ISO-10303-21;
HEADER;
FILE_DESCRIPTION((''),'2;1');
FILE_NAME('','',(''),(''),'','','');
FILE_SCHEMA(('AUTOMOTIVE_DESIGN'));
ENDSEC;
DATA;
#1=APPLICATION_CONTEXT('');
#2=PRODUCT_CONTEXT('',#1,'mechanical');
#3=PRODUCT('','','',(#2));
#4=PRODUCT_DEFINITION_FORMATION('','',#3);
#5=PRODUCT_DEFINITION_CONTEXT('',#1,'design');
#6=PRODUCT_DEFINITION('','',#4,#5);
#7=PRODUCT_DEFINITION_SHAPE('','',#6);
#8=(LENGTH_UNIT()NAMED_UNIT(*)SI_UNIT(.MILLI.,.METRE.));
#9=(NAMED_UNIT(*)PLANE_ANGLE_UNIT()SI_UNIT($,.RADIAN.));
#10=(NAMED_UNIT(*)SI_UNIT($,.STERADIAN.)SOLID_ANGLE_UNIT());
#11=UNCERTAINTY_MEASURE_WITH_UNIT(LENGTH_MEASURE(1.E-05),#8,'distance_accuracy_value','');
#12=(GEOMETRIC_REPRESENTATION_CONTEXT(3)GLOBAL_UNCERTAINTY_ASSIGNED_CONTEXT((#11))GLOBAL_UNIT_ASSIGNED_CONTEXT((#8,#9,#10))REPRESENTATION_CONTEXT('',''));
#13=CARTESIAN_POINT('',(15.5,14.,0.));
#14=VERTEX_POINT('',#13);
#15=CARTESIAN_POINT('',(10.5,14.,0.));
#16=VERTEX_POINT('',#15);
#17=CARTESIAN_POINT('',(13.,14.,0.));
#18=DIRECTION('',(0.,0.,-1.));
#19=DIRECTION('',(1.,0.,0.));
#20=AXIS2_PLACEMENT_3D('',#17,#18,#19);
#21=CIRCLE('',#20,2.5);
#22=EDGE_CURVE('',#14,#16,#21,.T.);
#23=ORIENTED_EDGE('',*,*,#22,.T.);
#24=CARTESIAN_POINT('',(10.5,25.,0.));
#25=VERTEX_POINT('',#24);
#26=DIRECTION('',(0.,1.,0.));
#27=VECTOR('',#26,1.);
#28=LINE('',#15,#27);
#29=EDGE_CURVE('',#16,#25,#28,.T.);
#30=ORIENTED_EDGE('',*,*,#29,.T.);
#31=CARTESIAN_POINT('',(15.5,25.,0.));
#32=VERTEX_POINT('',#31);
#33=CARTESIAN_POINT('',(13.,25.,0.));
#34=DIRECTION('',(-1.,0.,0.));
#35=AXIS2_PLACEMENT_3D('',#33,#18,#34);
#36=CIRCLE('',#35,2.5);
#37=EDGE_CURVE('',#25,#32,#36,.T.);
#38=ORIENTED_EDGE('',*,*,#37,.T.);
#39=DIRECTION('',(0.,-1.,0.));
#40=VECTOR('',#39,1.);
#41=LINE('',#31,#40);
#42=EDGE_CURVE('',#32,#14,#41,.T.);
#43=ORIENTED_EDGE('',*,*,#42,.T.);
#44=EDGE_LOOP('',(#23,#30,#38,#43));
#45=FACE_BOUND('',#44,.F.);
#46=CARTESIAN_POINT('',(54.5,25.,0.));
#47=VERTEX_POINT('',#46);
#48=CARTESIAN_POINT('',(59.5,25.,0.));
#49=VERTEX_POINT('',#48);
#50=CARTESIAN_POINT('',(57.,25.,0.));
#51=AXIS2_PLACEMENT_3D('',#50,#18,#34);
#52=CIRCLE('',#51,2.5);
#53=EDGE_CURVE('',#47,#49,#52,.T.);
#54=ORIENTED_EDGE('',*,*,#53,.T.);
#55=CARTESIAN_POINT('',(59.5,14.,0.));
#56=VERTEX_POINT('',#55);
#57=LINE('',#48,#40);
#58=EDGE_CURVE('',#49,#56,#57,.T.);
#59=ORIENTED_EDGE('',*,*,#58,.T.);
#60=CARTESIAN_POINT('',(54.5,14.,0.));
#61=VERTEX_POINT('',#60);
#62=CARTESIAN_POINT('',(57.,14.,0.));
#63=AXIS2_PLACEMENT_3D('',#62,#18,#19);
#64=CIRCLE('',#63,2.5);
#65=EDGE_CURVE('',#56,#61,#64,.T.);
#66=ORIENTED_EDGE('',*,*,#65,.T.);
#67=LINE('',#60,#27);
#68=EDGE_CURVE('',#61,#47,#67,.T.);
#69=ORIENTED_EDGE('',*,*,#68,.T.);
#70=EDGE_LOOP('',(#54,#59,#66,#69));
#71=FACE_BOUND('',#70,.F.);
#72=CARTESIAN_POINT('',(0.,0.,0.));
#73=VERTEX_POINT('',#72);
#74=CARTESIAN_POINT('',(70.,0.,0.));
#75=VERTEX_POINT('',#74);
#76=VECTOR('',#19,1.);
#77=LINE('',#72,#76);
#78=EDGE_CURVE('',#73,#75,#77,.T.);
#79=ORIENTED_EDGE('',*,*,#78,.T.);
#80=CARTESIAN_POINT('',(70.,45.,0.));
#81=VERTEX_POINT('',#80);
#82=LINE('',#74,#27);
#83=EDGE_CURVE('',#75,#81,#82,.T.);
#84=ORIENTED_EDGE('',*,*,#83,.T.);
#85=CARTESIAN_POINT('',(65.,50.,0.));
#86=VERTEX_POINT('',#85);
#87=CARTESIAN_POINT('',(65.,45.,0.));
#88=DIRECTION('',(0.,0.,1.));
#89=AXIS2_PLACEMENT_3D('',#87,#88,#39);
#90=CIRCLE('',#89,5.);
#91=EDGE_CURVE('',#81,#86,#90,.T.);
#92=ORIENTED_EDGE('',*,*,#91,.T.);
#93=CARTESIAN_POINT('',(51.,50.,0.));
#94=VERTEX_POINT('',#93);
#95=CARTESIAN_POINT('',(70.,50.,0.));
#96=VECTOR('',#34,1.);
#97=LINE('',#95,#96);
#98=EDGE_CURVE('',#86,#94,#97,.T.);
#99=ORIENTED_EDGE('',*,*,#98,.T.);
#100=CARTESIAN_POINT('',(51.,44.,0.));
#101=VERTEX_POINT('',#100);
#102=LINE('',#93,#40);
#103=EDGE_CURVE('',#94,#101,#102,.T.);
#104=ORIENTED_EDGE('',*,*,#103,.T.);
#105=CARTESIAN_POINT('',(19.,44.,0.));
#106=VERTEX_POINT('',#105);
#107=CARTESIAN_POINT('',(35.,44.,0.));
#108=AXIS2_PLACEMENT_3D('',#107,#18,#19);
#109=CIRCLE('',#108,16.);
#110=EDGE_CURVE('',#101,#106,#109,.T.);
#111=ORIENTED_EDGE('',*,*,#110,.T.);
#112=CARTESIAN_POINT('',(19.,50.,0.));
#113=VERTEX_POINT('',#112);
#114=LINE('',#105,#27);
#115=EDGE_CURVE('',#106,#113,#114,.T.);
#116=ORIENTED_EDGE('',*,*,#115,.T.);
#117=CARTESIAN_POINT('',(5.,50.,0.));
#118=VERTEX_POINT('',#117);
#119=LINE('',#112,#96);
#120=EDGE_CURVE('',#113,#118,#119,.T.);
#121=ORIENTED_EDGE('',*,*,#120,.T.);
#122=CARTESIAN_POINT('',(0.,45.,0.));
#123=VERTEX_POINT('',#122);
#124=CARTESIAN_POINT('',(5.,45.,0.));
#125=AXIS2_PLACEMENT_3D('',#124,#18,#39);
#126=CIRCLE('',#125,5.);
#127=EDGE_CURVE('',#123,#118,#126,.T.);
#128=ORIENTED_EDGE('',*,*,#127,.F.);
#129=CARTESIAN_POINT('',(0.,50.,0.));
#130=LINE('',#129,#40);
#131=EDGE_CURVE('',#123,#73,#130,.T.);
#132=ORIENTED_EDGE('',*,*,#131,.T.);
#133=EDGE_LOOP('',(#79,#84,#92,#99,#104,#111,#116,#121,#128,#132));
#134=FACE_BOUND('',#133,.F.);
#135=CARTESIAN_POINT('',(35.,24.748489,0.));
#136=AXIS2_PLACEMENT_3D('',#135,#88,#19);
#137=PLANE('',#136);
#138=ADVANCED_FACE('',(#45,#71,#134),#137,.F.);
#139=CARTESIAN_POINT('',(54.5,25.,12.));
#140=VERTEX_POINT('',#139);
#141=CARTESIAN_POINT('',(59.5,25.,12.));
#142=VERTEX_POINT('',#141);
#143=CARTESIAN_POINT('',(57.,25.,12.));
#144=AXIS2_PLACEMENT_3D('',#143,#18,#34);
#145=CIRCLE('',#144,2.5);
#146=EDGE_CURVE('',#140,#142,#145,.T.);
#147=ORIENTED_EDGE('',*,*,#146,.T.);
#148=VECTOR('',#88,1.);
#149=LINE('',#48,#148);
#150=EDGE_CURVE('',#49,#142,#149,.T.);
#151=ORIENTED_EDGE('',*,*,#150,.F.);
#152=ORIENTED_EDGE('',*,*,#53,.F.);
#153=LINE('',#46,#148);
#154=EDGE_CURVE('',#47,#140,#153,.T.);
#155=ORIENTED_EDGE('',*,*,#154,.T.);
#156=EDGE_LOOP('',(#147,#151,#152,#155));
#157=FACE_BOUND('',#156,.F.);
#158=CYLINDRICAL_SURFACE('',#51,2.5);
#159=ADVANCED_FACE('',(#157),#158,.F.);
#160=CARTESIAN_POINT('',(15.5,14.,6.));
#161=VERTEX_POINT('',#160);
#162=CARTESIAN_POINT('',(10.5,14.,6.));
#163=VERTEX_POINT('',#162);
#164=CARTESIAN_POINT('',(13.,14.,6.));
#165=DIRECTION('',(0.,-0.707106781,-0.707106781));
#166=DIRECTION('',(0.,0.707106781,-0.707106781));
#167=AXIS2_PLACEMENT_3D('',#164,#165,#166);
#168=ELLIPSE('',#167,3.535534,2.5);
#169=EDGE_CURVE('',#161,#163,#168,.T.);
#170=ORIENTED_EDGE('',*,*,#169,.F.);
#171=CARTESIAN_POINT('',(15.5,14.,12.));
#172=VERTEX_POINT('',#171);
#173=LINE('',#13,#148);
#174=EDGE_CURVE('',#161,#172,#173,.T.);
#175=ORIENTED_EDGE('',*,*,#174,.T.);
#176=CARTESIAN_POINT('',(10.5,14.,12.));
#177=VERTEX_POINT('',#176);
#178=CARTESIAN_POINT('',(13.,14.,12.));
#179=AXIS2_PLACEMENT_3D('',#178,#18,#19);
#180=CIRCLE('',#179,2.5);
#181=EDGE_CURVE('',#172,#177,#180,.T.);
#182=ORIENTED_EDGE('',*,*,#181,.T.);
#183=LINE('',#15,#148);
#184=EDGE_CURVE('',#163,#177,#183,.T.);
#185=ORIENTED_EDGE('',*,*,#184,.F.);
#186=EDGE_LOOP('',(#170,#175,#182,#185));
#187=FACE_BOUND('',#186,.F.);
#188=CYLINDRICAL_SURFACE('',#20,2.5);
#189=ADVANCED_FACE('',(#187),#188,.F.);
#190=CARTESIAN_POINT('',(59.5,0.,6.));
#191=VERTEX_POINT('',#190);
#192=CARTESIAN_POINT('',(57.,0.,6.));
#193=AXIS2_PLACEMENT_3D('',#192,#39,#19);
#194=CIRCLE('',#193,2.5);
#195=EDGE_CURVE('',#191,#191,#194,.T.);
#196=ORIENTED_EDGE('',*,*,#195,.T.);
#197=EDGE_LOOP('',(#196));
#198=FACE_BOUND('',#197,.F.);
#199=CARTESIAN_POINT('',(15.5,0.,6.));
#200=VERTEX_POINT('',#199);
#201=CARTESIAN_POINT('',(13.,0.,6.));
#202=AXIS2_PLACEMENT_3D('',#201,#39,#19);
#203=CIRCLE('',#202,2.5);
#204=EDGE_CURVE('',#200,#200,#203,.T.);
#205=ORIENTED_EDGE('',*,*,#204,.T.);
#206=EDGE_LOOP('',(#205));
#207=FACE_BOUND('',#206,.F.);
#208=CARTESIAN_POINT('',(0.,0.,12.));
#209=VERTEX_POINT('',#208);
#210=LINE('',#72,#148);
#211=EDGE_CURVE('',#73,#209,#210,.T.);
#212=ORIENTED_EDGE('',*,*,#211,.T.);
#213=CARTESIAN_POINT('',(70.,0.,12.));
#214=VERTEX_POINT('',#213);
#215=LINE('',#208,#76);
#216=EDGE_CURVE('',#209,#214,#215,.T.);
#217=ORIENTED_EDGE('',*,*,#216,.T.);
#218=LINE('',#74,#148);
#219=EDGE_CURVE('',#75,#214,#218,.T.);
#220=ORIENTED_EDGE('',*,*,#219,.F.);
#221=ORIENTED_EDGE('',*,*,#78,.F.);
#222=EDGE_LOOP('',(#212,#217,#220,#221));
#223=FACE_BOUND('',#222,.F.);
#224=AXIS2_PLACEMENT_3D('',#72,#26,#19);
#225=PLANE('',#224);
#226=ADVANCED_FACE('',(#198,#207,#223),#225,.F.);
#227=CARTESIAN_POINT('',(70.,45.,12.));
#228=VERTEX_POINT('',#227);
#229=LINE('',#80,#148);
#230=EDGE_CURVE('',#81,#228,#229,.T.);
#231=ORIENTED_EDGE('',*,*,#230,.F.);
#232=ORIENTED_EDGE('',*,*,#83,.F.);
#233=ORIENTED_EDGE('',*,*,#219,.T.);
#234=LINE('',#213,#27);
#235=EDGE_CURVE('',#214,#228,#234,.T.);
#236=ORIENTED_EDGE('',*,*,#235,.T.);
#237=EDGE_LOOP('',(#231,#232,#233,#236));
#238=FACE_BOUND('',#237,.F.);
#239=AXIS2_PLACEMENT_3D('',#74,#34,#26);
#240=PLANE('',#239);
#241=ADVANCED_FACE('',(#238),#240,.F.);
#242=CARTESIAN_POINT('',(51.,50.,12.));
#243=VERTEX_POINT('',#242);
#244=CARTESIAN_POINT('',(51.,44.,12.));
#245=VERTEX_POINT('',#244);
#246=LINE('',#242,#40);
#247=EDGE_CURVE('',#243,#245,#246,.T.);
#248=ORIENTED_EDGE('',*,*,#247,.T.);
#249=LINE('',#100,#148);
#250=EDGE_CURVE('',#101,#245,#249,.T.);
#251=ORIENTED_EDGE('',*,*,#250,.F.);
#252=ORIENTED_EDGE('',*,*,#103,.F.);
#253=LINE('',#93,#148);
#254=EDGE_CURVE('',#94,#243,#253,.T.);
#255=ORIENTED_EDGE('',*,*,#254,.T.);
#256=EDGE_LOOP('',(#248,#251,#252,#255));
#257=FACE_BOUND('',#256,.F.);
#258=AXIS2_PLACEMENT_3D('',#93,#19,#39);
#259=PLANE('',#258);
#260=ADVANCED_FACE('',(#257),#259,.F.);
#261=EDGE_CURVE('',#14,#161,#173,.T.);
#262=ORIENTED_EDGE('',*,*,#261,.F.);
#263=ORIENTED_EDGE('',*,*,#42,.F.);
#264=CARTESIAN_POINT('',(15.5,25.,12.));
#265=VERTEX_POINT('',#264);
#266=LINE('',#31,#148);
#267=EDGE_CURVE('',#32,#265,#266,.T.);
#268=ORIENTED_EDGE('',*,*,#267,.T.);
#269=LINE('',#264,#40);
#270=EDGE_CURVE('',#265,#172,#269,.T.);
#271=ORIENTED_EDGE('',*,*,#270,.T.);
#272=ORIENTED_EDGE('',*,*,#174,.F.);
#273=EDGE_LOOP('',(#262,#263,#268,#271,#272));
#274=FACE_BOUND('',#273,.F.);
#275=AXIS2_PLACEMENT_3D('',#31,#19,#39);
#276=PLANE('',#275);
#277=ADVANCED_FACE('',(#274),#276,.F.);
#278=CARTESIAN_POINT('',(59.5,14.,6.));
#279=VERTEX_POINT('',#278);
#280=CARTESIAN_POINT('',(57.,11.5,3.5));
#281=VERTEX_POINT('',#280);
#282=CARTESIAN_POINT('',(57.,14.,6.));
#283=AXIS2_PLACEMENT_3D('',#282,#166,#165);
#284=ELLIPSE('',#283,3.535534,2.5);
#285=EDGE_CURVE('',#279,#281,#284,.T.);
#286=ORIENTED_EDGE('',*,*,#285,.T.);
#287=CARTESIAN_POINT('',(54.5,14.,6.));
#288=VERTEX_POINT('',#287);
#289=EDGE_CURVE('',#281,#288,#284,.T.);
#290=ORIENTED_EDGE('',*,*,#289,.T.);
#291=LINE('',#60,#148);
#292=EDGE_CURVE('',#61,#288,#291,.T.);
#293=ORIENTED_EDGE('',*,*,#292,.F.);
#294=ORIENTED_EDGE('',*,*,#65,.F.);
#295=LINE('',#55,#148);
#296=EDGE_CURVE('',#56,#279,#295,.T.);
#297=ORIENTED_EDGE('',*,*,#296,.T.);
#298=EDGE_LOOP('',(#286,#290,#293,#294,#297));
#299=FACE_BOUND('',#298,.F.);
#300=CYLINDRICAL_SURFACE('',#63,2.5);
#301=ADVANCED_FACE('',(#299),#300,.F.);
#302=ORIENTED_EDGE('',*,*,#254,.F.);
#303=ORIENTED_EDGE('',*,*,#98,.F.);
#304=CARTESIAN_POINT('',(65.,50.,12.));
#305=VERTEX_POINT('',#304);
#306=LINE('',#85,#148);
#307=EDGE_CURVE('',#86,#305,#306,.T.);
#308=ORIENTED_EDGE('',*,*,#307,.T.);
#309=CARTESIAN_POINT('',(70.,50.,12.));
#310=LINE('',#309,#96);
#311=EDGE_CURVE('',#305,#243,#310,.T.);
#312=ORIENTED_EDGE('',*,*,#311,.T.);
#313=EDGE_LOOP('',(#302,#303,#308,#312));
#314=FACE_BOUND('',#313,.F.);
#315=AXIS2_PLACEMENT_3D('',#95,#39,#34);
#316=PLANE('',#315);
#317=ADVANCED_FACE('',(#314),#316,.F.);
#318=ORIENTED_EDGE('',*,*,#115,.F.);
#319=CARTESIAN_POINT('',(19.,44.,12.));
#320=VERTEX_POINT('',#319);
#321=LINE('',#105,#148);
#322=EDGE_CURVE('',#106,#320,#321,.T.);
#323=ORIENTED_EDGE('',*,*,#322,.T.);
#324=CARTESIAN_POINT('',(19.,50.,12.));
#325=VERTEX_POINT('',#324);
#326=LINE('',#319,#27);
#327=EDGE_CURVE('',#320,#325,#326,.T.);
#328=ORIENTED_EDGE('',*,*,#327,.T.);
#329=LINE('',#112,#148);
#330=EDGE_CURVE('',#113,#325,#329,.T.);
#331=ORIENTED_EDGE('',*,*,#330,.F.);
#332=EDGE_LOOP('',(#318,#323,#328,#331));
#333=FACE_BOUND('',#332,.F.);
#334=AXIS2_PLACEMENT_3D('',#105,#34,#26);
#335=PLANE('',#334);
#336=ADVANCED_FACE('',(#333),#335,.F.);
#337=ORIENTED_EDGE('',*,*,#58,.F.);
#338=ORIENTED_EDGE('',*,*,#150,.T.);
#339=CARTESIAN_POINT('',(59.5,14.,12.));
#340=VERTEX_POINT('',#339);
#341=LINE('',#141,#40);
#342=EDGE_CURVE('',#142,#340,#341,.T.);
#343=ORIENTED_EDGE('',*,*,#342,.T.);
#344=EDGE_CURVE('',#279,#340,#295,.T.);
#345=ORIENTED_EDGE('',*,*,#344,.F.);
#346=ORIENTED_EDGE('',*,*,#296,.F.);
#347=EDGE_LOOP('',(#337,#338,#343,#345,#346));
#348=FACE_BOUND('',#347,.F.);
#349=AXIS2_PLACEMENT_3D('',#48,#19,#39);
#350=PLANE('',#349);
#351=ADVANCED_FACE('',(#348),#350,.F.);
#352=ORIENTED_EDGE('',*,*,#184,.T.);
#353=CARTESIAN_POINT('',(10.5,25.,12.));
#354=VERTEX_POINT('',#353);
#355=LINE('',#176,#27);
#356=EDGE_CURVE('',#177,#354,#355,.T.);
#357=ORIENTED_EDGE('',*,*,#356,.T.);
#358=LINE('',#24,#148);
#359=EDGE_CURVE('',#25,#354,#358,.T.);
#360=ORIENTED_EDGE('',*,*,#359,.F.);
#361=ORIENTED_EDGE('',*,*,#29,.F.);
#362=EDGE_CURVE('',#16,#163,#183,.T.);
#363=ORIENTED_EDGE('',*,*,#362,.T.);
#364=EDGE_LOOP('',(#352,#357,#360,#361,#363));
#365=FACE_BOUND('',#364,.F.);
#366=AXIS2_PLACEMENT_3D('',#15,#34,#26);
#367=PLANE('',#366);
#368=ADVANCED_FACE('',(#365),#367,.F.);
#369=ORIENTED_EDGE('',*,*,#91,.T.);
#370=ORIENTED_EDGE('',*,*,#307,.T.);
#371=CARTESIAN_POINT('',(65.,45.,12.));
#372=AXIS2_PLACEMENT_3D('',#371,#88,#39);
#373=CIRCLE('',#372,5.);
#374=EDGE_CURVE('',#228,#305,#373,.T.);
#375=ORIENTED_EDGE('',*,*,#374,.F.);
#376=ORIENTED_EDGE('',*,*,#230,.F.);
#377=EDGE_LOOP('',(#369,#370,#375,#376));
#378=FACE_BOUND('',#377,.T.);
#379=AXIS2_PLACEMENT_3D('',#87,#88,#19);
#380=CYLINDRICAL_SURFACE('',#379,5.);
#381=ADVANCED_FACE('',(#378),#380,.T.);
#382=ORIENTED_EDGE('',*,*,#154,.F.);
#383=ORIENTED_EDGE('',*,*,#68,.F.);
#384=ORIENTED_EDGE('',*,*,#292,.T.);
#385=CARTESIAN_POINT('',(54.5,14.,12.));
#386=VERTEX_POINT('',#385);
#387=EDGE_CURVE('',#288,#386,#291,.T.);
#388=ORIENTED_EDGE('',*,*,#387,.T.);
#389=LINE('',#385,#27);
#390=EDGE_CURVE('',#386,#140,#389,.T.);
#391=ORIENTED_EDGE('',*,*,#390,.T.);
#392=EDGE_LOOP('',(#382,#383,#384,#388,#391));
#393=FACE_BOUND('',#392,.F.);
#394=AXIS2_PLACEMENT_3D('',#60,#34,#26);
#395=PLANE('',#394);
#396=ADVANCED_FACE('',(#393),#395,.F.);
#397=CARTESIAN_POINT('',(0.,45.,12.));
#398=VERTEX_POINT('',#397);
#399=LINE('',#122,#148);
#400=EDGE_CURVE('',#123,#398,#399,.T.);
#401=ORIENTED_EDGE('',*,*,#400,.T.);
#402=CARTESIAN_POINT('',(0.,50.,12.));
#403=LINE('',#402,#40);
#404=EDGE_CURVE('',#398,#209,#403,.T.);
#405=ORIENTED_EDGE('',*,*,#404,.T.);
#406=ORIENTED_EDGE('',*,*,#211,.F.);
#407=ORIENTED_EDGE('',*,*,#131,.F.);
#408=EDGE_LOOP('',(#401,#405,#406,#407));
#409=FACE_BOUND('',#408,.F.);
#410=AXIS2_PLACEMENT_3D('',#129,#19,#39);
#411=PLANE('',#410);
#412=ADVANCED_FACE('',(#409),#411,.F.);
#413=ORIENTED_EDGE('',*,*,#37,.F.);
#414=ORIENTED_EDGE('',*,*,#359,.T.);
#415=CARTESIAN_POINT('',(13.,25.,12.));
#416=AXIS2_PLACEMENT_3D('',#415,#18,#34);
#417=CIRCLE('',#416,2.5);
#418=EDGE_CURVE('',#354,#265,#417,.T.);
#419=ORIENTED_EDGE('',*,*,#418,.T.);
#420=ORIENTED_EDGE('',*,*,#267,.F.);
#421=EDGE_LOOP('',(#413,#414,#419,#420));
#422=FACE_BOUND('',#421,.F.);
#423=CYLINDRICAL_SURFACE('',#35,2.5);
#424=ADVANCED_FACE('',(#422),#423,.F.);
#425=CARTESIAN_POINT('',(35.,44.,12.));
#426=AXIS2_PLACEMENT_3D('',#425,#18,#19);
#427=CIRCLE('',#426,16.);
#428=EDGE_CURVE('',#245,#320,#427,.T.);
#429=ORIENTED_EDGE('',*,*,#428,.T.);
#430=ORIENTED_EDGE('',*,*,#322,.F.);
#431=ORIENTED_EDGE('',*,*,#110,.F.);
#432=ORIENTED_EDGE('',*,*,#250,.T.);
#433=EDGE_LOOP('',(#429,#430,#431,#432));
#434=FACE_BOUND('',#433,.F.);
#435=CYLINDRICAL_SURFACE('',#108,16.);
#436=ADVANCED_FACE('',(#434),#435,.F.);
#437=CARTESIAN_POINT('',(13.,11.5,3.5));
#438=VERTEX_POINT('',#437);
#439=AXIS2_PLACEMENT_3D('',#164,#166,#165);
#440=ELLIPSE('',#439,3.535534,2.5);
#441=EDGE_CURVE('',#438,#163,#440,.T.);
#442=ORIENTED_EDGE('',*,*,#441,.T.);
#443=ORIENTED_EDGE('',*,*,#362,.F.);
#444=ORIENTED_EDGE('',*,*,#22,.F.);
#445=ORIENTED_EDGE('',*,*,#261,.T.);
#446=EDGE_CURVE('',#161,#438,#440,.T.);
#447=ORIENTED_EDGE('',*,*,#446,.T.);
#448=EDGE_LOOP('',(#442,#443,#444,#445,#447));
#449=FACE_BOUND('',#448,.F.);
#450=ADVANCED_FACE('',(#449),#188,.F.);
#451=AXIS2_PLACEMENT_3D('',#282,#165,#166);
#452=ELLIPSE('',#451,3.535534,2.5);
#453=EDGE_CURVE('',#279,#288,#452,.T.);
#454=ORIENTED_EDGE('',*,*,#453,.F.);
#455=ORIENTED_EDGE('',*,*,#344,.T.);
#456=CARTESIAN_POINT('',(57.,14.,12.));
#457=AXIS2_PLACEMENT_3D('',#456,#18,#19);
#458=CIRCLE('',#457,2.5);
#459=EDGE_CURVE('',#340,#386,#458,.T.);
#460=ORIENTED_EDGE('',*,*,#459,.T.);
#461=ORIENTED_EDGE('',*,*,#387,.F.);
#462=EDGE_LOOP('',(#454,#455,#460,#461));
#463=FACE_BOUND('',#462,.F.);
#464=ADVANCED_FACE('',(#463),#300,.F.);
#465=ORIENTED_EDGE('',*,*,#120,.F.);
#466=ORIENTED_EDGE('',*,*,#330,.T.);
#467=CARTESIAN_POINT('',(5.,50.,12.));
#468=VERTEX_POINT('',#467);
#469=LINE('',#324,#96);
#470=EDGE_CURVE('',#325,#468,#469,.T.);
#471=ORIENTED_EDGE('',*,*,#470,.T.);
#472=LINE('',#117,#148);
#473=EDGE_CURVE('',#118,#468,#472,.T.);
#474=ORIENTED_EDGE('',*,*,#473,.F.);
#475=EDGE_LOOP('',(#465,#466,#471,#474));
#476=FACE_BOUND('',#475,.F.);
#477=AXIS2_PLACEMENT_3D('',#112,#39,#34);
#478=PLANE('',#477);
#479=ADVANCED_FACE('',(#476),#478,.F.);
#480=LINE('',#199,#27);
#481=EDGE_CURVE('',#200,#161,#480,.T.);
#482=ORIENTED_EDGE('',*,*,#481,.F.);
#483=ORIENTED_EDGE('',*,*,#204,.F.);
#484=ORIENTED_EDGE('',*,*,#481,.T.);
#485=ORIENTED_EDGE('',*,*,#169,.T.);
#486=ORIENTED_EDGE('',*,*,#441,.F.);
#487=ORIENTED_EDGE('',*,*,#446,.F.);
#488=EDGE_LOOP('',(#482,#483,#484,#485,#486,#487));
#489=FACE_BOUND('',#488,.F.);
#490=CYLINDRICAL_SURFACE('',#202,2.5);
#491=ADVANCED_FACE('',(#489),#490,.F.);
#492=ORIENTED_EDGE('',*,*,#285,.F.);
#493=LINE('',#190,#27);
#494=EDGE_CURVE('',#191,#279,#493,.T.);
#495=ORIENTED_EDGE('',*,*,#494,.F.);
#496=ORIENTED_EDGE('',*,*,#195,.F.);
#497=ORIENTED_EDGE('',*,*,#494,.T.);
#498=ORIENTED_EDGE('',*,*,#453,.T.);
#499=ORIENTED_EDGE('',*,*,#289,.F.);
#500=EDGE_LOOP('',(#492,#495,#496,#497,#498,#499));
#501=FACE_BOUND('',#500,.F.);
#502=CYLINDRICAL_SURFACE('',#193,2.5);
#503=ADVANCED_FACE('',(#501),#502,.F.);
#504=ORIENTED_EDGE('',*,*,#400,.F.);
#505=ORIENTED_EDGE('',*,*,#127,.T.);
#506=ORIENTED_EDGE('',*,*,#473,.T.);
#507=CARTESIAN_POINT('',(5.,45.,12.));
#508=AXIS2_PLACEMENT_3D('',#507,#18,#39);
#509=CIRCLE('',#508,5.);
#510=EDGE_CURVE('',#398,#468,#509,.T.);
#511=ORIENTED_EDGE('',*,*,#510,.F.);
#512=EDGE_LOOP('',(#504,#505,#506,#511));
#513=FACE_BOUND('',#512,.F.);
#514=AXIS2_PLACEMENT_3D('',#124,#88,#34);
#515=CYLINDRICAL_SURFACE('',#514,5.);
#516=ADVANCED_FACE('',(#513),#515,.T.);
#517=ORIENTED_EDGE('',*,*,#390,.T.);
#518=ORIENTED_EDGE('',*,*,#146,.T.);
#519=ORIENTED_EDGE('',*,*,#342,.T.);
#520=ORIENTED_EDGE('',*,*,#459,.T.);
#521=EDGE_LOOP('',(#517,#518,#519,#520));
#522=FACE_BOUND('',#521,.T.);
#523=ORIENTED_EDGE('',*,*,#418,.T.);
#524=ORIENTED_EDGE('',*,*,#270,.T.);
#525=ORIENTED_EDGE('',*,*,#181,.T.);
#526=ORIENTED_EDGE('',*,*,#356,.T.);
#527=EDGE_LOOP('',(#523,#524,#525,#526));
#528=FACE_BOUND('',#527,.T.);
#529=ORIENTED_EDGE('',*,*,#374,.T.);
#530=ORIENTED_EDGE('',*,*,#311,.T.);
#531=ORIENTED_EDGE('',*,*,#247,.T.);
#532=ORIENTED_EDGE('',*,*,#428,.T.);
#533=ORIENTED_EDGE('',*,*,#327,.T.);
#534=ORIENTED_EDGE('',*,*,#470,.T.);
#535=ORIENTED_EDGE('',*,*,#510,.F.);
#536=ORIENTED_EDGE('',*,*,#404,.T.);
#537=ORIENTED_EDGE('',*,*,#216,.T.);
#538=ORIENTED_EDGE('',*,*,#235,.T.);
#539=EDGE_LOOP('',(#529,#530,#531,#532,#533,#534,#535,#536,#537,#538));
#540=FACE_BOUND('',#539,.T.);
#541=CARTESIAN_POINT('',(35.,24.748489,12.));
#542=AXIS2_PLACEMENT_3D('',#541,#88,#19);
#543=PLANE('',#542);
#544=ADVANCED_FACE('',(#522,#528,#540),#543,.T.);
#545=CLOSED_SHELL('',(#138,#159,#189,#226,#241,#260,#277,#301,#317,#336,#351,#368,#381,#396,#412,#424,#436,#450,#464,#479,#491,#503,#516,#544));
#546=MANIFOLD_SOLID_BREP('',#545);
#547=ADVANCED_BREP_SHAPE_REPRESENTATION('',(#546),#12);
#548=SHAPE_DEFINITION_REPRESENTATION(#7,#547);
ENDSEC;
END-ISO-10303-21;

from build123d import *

# Parameters (mm, degrees)
F1_DEPTH = 12
F2_R     = 2.5
F3_DEPTH = 15
F4_R     = 5


with BuildPart() as f1:
    # F0 (on Top) → F1 (new body)
    with BuildSketch(Plane.XY):
        with BuildLine():
            Line((0, 0), (35, 0))
            Line((35, 0), (70, 0))
            Line((70, 0), (70, 50))
            Line((70, 50), (51, 50))
            Line((51, 50), (51, 44))
            ThreePointArc((51, 44), (35, 28), (19, 44))
            Line((19, 44), (19, 50))
            Line((19, 50), (0, 50))
            Line((0, 50), (0, 0))
        make_face()
        with BuildLine():
            Line((15.5, 25), (15.5, 14))
            ThreePointArc((15.5, 14), (13, 11.5), (10.5, 14))
            Line((10.5, 14), (10.5, 25))
            ThreePointArc((10.5, 25), (13, 27.5), (15.5, 25))
        make_face(mode=Mode.SUBTRACT)
        with BuildLine():
            Line((59.5, 25), (59.5, 14))
            ThreePointArc((59.5, 14), (57, 11.5), (54.5, 14))
            Line((54.5, 14), (54.5, 25))
            ThreePointArc((54.5, 25), (57, 27.5), (59.5, 25))
        make_face(mode=Mode.SUBTRACT)
    extrude(amount=F1_DEPTH)

    # F2 (on face) → F3 (cut)
    with BuildSketch(Plane.XZ):
        with Locations((13, 6)):
            Circle(F2_R)
        with Locations((57, 6)):
            Circle(F2_R)
    extrude(amount=-F3_DEPTH, mode=Mode.SUBTRACT)

    # F4
    f4_edges = [f1.edges().sort_by_distance(p)[0] for p in [
        (70, 50, 6),
        (0, 50, 6),
    ]]
    fillet(f4_edges, radius=F4_R)


solid = f1.part
